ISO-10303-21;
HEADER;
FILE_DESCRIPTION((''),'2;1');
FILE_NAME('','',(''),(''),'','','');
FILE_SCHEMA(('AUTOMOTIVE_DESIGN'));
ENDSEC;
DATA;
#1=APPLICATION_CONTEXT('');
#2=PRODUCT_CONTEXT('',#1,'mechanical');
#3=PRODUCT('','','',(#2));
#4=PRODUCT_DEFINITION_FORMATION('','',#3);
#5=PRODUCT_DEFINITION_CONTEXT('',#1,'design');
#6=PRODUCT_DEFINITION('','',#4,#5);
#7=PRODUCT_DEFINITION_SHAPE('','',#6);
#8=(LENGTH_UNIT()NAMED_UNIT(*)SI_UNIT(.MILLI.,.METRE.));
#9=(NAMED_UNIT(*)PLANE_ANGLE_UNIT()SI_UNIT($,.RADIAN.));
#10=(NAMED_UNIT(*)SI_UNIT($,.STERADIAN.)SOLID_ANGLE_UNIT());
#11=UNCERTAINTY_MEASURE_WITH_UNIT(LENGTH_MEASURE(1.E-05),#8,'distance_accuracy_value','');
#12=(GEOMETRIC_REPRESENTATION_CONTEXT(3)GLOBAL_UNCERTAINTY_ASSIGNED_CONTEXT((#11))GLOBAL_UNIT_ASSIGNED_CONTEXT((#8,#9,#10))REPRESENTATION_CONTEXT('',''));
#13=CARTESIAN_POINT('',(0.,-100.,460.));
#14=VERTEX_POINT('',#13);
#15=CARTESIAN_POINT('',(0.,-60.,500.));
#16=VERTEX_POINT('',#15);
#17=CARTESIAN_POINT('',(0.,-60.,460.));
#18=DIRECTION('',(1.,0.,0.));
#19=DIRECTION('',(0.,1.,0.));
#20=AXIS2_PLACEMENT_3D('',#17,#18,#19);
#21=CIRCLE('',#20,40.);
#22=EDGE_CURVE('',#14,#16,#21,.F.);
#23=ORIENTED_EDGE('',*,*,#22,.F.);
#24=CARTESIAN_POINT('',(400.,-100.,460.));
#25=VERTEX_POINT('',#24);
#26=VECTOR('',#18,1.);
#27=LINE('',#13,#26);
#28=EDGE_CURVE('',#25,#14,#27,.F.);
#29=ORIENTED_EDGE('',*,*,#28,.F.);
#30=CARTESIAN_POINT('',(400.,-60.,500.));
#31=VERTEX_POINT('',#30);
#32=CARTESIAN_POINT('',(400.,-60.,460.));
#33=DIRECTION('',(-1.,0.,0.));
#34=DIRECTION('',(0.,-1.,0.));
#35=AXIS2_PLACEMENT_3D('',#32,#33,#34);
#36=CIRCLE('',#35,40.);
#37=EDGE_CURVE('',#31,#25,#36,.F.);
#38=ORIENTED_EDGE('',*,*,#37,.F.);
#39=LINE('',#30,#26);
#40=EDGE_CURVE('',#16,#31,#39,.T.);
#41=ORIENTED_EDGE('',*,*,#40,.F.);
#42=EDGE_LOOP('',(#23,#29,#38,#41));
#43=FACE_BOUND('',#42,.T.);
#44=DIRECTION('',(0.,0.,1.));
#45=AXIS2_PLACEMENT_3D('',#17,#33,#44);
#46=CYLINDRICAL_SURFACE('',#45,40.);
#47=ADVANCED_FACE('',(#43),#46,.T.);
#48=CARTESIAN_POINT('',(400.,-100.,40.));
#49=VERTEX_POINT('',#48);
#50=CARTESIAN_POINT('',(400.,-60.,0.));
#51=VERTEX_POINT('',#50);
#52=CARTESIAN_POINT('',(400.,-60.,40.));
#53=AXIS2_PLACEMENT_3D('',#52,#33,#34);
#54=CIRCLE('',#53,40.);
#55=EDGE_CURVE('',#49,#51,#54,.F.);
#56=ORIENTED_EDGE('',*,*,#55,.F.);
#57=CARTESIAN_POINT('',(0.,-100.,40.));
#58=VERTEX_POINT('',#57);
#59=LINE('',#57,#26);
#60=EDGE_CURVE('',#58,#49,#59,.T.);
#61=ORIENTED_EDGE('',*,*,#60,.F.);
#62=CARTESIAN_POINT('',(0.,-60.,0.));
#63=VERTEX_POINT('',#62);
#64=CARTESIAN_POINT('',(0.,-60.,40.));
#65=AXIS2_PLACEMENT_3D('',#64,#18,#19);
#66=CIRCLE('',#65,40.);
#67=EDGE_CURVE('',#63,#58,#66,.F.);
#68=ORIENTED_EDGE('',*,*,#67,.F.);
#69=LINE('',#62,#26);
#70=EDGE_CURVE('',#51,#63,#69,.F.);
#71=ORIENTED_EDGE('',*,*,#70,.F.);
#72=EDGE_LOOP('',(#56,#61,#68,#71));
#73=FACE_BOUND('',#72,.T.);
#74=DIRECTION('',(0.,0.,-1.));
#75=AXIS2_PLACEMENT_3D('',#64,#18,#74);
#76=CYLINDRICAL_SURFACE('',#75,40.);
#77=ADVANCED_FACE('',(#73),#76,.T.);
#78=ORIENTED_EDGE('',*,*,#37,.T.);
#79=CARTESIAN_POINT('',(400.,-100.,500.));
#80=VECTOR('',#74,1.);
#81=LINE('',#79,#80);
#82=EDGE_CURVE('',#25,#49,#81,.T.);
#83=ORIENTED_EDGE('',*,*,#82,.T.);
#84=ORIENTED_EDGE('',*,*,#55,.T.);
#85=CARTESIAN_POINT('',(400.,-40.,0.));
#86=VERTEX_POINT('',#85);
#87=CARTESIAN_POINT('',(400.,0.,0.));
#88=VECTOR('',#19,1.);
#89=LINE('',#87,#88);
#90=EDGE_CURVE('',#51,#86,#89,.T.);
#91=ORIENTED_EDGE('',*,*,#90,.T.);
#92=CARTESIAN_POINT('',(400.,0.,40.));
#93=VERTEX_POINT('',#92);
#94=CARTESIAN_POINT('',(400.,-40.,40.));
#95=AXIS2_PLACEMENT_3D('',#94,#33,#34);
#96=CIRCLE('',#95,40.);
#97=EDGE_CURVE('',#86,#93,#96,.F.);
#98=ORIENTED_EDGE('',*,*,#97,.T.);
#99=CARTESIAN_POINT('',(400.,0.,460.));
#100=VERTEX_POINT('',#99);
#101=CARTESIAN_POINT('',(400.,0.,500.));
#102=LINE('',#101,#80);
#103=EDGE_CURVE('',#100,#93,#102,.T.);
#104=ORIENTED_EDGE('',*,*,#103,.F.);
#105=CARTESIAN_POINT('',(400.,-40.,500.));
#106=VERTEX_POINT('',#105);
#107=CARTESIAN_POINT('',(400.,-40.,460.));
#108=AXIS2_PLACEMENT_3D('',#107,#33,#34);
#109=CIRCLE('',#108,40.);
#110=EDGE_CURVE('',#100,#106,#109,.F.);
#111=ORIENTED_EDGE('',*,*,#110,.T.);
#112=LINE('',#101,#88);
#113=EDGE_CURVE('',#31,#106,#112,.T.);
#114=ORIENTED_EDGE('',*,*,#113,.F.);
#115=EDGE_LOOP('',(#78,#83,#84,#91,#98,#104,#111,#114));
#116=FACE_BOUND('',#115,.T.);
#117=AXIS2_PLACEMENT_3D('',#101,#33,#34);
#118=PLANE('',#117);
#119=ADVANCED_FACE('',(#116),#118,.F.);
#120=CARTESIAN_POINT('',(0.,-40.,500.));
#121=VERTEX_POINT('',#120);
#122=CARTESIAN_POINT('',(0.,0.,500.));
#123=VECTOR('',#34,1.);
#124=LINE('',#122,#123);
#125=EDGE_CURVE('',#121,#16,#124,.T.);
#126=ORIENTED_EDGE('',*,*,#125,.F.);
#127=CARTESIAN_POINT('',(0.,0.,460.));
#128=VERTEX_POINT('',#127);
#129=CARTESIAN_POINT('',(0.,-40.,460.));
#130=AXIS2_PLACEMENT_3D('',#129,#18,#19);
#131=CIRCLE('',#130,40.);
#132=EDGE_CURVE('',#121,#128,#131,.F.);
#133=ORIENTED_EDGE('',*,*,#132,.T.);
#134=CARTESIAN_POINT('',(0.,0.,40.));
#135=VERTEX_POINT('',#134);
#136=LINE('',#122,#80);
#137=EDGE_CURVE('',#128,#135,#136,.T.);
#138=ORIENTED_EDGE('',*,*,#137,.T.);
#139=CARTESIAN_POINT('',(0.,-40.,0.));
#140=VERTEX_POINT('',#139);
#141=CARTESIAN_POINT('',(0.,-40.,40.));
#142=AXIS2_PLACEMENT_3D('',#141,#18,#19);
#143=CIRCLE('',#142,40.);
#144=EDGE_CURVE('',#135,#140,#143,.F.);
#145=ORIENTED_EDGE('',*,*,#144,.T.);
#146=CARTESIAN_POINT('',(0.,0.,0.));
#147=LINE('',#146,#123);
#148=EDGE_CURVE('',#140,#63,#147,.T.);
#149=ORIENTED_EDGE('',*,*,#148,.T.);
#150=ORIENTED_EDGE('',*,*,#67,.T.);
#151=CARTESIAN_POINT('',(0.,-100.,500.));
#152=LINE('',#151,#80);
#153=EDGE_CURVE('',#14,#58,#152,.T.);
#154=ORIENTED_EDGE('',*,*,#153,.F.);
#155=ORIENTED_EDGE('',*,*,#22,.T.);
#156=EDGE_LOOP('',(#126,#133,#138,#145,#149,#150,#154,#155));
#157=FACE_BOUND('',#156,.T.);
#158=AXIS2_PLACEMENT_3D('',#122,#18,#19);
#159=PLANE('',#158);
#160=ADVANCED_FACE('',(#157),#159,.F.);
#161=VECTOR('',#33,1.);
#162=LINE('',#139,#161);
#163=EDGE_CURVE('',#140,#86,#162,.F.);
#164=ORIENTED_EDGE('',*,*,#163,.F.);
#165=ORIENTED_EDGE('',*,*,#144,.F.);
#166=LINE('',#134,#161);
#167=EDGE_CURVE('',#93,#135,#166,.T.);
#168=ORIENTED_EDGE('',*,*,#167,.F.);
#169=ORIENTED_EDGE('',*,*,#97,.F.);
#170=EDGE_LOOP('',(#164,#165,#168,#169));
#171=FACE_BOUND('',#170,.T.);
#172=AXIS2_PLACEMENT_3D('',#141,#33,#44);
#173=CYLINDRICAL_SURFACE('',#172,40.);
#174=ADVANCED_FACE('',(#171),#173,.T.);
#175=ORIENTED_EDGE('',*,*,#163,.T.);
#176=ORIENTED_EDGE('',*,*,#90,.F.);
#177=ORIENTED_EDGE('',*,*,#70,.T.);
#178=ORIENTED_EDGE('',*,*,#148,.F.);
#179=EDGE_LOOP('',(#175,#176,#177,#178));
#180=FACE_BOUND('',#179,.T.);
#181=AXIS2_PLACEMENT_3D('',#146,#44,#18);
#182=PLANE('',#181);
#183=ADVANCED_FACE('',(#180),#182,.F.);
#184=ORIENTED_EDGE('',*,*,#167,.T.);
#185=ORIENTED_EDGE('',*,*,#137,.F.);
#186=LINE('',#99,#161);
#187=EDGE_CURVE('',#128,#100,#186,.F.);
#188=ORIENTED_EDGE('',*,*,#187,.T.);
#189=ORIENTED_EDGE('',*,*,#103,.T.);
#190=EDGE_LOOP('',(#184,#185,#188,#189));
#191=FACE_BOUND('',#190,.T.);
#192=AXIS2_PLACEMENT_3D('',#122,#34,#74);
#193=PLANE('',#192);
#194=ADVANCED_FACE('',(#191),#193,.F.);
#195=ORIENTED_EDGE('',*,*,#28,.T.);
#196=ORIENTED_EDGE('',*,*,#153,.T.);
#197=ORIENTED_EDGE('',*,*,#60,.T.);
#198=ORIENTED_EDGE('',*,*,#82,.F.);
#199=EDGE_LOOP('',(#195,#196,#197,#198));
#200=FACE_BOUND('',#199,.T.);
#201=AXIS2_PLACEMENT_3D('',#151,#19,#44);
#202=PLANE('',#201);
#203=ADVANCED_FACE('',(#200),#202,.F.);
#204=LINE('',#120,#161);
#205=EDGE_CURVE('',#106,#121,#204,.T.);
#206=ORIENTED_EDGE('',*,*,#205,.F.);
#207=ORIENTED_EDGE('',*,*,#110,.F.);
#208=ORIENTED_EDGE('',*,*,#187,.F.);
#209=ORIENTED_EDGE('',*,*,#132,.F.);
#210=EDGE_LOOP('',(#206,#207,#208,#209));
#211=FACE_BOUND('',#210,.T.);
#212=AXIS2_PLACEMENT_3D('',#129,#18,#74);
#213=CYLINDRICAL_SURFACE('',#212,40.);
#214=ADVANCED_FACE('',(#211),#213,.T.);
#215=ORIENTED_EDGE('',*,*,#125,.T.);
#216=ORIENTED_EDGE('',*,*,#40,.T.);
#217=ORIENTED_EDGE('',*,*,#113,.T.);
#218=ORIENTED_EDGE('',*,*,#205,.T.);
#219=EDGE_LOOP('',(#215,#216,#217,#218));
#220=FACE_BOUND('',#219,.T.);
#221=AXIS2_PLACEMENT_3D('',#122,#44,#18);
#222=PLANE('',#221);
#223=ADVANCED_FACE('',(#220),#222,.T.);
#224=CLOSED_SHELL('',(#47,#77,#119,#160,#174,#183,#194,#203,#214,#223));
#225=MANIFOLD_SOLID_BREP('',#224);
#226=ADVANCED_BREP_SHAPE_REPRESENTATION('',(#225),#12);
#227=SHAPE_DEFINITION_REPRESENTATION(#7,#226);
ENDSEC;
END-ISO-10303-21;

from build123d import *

# Parameters (mm, degrees)
SKETCH1_W           = 400
SKETCH1_H           = 100
BOSS_EXTRUDE1_DEPTH = 500
FILLET2_R           = 40


with BuildPart() as part:
    # Sketch1 → Boss-Extrude1 (new body)
    with BuildSketch(Plane.XY):
        with Locations((200, -50)):
            Rectangle(SKETCH1_W, SKETCH1_H)
    extrude(amount=BOSS_EXTRUDE1_DEPTH)

    # Fillet2
    fillet2_edges = [part.edges().sort_by_distance(p)[0] for p in [
        (200, 0, 500),
        (200, 0, 0),
        (200, -100, 0),
        (200, -100, 500),
    ]]
    fillet(fillet2_edges, radius=FILLET2_R)


solid = part.part
